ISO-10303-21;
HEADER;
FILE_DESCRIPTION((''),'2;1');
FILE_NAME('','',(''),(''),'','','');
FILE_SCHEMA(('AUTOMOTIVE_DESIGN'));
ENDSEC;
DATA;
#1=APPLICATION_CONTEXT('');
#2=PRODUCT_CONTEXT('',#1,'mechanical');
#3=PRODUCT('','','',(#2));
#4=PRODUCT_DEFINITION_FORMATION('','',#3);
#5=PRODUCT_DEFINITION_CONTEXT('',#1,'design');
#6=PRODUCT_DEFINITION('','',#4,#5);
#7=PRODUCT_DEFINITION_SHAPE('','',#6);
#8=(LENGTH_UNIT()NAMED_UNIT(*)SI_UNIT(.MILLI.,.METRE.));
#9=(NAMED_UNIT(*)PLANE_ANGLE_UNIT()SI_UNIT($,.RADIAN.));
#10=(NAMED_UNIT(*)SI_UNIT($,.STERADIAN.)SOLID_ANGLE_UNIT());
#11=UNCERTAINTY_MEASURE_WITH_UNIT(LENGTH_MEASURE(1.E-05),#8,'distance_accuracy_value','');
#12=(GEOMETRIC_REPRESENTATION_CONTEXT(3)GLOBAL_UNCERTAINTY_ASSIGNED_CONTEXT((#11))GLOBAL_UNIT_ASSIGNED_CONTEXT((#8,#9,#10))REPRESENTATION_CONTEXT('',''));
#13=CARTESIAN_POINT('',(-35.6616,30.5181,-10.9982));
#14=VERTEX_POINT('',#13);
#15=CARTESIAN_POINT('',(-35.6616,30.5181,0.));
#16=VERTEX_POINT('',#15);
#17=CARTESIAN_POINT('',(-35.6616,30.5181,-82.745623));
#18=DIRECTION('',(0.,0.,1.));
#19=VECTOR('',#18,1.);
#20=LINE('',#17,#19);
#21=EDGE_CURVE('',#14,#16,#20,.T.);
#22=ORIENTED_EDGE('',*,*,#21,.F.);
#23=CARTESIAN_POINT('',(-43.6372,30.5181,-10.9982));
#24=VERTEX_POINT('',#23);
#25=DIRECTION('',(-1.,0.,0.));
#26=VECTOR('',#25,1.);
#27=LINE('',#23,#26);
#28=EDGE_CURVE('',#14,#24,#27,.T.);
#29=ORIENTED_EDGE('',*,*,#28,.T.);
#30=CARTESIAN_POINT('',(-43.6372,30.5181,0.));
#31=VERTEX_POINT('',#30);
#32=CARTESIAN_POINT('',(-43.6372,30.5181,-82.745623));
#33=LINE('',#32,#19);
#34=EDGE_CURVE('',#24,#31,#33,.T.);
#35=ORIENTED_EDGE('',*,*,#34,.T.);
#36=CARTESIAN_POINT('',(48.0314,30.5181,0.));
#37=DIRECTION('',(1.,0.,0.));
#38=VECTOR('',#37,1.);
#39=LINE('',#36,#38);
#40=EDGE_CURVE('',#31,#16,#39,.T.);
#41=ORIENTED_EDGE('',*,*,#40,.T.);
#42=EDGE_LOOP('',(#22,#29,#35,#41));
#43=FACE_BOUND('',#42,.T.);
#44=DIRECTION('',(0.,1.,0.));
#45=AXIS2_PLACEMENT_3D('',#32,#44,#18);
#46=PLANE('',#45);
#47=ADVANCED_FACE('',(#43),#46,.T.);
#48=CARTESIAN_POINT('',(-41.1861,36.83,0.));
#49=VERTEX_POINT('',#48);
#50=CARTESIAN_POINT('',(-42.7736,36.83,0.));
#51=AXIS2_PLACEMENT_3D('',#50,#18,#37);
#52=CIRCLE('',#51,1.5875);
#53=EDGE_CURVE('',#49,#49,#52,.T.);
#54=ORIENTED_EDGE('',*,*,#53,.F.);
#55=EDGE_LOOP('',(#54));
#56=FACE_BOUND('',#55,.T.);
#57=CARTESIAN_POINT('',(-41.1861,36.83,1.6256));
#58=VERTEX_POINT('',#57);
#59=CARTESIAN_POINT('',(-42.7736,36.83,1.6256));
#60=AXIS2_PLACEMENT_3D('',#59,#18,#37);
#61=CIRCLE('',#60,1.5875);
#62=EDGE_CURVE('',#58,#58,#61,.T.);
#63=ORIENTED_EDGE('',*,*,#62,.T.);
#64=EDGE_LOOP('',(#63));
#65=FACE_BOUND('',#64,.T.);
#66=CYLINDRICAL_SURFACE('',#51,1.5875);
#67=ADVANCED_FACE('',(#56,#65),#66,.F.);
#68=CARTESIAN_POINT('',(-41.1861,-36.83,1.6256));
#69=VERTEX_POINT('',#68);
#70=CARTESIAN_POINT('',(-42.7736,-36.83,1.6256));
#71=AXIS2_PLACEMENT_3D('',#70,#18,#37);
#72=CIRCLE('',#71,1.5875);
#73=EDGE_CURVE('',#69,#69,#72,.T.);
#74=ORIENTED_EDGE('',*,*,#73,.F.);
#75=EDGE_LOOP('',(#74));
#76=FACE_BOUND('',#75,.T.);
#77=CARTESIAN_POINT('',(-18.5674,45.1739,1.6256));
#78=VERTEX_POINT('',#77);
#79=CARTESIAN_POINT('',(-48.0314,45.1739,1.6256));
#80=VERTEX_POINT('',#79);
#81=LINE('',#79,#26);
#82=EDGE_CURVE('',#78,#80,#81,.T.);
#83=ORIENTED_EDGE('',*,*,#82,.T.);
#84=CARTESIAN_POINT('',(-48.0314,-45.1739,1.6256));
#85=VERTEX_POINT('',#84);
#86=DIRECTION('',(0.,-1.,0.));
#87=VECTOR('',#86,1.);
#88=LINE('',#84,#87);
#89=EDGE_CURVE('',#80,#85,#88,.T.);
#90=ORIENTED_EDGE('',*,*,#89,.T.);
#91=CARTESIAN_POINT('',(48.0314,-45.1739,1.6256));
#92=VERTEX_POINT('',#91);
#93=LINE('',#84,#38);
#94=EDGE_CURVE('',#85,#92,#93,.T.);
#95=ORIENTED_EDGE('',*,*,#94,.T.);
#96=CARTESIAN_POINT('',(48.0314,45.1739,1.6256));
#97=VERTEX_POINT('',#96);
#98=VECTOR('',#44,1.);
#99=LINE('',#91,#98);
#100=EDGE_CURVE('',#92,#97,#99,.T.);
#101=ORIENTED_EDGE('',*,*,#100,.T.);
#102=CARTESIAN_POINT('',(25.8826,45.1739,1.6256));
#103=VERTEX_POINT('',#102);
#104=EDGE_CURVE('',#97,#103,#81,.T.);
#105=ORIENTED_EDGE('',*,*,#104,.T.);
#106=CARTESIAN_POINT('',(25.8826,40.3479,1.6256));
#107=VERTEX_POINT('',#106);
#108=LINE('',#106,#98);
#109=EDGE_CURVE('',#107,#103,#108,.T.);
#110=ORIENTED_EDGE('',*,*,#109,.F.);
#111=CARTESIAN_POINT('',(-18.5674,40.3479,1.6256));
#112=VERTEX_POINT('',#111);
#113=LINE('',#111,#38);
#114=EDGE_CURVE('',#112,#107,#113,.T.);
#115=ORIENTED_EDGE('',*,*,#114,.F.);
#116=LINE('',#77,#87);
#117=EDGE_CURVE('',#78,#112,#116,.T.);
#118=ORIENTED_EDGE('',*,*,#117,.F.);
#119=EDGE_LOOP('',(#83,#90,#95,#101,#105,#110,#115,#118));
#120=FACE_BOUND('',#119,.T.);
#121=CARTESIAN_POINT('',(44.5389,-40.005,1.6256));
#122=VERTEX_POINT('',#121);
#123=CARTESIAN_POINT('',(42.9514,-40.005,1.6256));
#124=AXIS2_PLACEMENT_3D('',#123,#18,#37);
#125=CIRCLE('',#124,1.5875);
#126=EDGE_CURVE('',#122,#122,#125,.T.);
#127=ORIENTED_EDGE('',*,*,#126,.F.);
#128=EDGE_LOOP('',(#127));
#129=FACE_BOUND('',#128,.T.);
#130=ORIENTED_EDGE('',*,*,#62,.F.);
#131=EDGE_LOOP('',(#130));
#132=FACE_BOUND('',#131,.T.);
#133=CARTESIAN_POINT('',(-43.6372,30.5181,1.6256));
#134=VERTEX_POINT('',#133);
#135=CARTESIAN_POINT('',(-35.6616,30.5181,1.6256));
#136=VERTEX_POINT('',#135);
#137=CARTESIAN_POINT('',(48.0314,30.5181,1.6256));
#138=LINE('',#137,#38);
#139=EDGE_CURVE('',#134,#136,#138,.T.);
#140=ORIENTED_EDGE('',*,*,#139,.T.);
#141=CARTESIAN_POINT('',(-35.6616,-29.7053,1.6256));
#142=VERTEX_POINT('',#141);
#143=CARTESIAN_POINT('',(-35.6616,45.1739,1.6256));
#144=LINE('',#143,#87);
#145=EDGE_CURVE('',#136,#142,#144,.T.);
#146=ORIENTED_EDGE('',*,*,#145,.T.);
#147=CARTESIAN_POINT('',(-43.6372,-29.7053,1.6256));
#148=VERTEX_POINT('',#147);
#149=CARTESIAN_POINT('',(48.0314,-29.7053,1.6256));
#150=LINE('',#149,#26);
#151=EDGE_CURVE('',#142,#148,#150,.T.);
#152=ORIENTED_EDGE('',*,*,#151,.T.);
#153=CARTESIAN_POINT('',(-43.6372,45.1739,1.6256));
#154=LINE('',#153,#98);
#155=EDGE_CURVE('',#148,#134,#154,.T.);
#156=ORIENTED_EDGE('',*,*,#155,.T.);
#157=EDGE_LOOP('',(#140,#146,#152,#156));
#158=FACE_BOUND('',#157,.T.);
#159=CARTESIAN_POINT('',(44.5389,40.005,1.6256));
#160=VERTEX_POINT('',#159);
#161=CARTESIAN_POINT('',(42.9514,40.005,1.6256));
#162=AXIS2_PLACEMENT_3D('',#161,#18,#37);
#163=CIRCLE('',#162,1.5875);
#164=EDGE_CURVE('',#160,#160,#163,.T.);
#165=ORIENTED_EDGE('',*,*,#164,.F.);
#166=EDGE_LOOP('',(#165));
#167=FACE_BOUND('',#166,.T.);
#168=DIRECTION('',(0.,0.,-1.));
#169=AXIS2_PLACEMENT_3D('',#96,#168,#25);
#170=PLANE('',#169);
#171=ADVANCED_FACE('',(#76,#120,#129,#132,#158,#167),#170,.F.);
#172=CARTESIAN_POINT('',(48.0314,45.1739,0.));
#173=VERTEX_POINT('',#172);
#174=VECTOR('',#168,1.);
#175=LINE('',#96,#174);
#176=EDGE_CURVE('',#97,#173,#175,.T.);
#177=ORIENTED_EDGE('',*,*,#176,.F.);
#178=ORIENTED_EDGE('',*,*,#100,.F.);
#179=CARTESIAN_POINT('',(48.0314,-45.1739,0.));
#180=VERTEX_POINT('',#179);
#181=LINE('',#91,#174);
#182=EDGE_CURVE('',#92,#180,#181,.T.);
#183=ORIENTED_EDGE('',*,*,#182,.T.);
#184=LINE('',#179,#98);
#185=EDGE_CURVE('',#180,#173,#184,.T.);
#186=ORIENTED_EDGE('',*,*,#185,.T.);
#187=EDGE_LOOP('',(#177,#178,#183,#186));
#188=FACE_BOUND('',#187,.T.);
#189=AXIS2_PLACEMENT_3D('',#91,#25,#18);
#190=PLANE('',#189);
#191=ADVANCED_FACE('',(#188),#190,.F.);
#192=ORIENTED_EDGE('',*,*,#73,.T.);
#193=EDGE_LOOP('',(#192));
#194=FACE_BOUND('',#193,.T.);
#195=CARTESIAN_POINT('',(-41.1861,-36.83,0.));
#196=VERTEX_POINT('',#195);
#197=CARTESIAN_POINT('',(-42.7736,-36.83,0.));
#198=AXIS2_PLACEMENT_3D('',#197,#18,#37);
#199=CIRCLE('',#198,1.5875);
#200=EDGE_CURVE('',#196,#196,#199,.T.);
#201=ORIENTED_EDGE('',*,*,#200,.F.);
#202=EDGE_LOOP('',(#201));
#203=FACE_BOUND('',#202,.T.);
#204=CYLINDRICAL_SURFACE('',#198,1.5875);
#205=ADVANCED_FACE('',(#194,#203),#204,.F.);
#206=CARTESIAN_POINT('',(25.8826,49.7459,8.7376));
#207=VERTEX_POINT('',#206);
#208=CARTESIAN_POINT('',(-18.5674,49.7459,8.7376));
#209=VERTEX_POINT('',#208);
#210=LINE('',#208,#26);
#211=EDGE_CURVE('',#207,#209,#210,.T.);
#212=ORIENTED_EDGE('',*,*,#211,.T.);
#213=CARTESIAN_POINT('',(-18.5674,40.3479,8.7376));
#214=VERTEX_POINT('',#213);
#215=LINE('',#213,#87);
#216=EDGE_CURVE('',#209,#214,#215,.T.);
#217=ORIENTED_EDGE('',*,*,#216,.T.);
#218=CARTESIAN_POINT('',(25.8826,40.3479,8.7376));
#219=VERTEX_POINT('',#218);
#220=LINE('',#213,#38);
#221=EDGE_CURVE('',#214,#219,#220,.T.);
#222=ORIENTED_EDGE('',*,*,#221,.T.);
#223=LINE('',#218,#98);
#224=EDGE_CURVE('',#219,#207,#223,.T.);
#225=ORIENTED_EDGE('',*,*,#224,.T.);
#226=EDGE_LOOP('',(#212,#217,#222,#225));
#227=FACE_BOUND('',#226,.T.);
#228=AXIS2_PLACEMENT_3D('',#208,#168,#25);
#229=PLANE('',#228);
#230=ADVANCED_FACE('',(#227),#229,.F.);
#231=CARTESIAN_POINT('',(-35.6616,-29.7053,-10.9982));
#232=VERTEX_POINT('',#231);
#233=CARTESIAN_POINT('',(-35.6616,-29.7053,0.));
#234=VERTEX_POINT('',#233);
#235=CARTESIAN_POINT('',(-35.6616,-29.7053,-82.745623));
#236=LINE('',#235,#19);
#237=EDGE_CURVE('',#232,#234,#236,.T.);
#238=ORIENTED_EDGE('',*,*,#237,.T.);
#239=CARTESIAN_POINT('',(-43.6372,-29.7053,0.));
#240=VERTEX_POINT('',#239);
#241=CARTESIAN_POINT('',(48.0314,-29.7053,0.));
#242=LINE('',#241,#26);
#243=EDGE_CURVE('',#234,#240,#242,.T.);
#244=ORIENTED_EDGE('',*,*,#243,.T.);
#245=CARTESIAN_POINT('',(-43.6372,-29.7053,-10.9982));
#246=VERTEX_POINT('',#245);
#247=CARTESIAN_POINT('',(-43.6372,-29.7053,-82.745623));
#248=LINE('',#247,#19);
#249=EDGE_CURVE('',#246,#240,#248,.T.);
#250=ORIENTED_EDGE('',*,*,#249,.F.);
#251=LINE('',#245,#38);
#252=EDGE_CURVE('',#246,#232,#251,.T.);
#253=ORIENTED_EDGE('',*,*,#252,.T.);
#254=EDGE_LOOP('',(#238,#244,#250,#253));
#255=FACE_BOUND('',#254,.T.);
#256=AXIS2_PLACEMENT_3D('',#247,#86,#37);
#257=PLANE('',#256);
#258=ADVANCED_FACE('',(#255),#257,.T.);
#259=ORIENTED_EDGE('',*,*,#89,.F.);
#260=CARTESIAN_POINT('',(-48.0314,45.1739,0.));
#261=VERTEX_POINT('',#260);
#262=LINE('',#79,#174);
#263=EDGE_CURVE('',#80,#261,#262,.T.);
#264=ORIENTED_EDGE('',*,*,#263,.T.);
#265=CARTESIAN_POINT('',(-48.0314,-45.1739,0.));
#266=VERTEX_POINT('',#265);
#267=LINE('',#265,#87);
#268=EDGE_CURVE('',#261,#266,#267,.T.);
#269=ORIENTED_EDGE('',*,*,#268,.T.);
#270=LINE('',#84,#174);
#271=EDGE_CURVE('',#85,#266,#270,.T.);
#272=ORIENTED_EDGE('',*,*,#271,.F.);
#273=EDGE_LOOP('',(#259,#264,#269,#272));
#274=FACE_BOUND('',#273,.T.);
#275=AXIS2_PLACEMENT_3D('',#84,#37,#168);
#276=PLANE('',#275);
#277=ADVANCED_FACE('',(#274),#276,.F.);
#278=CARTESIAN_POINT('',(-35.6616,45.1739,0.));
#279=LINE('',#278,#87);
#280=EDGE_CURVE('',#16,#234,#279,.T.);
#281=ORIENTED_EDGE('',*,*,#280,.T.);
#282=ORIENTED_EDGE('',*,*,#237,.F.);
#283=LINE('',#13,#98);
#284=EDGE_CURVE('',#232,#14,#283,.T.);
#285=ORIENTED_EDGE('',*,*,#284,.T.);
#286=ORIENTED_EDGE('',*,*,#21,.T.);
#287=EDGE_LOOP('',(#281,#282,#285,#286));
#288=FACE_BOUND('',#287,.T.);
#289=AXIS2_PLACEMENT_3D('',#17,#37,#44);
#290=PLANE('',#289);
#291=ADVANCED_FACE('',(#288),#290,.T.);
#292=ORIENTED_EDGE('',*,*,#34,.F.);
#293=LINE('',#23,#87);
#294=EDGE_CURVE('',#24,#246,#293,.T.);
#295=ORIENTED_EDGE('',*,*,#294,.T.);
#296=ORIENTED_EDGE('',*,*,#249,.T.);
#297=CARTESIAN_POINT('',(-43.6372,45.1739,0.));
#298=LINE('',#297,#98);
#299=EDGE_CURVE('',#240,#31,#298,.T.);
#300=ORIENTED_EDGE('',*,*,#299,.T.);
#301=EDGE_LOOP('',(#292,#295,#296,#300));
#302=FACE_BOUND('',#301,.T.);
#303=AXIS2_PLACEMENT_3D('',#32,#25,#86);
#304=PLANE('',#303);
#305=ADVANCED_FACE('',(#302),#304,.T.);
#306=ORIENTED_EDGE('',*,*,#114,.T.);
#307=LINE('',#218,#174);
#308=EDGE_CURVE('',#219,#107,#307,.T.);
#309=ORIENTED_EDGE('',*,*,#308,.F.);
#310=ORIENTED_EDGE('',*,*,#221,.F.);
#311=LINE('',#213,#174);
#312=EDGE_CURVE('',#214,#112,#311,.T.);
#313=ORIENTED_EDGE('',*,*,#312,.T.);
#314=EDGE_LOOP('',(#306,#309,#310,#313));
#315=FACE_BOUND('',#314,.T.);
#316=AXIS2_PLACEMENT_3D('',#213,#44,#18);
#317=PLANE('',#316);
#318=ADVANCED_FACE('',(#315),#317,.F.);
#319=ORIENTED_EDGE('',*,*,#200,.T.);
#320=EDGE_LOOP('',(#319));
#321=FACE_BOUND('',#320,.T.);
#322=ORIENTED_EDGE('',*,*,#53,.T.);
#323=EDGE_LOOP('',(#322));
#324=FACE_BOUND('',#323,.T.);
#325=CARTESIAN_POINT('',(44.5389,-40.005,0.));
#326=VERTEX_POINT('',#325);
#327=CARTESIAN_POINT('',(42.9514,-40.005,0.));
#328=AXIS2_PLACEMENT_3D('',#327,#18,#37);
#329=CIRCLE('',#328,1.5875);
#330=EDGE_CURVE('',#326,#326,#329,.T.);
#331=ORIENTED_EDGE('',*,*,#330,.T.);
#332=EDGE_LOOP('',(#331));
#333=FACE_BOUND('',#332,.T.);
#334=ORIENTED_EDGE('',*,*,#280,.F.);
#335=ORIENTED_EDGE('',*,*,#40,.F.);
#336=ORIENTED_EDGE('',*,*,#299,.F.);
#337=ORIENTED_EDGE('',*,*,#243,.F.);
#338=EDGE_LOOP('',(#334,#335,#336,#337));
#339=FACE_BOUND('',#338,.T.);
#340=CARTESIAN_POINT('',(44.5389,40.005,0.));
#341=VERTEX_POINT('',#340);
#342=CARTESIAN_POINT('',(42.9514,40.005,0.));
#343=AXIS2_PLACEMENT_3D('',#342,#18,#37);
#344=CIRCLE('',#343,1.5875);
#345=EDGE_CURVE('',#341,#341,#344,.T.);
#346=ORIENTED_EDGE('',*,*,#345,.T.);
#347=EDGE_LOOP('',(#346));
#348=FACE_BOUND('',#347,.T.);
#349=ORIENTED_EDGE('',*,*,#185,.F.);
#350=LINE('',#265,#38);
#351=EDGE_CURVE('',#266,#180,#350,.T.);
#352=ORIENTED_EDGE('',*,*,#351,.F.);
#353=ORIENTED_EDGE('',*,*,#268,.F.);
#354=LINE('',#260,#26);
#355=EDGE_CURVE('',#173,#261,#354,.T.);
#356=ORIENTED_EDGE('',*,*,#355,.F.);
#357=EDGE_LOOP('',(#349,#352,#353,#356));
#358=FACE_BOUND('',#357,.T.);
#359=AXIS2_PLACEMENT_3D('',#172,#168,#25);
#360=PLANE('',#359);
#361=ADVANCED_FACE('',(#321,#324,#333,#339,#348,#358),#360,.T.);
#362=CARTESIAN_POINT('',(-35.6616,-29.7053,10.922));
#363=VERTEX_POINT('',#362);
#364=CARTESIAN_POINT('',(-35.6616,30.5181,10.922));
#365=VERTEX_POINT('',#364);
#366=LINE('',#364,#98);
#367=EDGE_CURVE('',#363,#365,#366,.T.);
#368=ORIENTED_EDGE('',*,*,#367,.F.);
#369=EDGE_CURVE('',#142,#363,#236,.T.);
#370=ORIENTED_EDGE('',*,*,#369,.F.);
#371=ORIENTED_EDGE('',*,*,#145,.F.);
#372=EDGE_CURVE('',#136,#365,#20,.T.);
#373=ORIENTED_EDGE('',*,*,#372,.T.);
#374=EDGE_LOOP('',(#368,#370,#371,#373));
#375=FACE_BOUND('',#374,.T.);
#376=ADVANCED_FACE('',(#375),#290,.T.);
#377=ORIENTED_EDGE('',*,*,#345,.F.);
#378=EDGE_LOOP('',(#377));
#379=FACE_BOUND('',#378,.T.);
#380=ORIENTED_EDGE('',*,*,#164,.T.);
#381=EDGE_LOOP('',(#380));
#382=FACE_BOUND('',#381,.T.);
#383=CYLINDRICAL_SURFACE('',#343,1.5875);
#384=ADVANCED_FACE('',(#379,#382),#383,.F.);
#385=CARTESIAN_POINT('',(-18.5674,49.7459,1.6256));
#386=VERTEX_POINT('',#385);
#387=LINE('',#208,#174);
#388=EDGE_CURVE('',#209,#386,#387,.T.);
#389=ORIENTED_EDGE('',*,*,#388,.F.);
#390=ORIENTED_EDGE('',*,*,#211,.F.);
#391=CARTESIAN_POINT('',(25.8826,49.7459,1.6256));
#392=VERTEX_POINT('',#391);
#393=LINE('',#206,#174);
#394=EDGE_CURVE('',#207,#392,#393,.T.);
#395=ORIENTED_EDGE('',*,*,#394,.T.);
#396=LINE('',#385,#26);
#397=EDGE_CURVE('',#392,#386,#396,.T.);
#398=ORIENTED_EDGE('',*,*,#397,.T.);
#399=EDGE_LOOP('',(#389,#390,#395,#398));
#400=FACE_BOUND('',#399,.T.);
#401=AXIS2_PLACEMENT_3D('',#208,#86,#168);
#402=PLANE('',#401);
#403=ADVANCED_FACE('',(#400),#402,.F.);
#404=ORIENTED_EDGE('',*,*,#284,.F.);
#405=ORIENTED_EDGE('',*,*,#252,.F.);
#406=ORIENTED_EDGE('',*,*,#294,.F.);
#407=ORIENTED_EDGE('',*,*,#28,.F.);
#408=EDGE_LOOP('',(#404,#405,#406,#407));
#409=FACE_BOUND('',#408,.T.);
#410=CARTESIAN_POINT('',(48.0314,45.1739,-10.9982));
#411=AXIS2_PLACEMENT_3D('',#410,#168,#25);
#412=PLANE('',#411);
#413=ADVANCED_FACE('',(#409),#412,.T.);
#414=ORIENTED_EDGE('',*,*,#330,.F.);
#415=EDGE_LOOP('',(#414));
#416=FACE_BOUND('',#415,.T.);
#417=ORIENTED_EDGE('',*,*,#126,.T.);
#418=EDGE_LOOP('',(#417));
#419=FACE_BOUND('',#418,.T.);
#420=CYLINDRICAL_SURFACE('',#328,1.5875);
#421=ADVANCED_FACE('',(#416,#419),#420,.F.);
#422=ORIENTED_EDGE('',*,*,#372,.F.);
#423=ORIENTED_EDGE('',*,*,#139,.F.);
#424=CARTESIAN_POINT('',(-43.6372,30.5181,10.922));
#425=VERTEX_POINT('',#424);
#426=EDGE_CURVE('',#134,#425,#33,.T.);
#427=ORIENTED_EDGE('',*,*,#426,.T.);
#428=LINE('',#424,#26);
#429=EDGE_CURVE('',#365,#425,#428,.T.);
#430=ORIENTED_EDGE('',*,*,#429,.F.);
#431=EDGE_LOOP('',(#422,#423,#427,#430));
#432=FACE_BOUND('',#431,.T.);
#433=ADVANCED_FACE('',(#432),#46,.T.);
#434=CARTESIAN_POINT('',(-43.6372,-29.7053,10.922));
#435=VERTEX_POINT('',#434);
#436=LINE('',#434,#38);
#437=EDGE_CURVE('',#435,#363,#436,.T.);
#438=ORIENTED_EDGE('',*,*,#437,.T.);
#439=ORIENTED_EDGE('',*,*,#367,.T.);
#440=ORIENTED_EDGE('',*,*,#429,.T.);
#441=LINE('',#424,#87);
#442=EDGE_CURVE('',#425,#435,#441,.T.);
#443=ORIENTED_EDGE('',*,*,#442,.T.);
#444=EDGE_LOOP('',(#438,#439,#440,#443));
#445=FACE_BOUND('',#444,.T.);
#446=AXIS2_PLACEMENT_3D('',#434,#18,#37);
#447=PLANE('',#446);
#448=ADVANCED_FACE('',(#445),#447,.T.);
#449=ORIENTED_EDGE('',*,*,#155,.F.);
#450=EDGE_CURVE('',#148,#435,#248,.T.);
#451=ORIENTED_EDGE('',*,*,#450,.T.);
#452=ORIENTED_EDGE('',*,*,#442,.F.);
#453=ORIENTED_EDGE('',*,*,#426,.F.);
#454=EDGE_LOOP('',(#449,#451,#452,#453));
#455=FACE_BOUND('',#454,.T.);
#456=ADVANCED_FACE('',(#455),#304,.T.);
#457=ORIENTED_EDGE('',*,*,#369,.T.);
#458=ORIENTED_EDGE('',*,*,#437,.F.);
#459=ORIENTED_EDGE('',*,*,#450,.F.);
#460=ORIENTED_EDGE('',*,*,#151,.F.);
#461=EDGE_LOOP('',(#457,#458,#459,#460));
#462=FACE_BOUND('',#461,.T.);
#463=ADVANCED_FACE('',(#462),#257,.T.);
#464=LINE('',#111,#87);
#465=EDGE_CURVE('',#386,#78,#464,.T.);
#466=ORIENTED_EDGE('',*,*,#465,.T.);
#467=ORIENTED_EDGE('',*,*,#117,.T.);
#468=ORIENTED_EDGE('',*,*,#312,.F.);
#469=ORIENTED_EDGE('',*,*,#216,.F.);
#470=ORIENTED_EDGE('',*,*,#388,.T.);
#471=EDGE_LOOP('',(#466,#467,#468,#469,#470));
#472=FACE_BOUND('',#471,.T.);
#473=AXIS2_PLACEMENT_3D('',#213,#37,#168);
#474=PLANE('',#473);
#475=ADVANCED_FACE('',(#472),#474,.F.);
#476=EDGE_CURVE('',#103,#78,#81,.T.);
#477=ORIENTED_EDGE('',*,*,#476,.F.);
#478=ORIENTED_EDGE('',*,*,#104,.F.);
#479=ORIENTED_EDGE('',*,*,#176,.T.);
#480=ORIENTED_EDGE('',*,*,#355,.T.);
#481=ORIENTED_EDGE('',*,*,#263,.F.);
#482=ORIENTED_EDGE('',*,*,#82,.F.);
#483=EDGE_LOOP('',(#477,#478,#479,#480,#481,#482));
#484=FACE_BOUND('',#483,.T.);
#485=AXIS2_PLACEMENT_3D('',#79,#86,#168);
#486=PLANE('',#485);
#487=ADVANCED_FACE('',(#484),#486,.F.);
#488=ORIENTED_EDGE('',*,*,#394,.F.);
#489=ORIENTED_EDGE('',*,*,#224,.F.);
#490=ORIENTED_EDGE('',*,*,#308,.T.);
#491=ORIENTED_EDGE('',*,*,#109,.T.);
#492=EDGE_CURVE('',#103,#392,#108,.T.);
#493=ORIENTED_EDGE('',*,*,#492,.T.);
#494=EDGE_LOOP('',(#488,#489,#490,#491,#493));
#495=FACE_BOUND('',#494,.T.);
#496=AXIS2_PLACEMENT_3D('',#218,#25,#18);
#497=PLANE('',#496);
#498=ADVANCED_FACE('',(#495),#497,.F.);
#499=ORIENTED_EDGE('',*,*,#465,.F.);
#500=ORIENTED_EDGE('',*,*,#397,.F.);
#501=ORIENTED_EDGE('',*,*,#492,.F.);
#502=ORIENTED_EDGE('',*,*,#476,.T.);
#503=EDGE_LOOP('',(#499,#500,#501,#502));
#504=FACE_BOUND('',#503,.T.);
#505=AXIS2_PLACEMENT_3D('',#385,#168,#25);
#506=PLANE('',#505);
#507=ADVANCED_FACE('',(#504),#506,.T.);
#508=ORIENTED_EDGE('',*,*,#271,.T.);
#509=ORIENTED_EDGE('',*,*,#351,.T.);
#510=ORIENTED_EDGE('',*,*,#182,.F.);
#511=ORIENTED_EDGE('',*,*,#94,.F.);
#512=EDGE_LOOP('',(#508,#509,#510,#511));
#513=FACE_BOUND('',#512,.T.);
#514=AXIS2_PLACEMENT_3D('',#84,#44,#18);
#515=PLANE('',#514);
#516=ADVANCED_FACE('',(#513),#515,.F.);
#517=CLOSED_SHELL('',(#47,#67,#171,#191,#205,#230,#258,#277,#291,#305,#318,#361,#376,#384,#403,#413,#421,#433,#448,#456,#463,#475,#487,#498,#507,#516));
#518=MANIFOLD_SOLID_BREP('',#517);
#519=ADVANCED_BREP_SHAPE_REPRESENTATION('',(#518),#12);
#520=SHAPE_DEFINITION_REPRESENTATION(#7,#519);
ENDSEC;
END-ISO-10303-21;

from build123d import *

# Parameters (mm, degrees)
SKETCH1_W                    = 96.0628
SKETCH1_H                    = 90.3478
PCB_DEPTH                    = 1.6256
SKETCH5_R                    = 1.5875
PCB_HOLES_DEPTH              = 66.957101229
PCI_104_CONNECTOR_DEPTH      = 9.2964
PCI_104_CONNECTOR_DEPTH_BACK = 12.6238
SKETCH2_W                    = 7.9756
SKETCH2_H                    = 60.2234
SKETCH6_W                    = 44.45
SKETCH6_H                    = 9.398
PCB_EDGE_CONNS_DEPTH         = 7.112


with BuildPart() as part:
    # Sketch1 → PCB (new body)
    with BuildSketch(Plane.XY):
        Rectangle(SKETCH1_W, SKETCH1_H)
    extrude(amount=PCB_DEPTH)

    # Sketch5 → PCB_Holes (cut, through all)
    with BuildSketch(Plane.XY.offset(1.6256)):
        with Locations((-42.7736, 36.83)):
            Circle(SKETCH5_R)
        with Locations((42.9514, 40.005)):
            Circle(SKETCH5_R)
        with Locations((42.9514, -40.005)):
            Circle(SKETCH5_R)
        with Locations((-42.7736, -36.83)):
            Circle(SKETCH5_R)
    extrude(amount=-PCB_HOLES_DEPTH, mode=Mode.SUBTRACT)

    # Sketch2 → PCI-104_Connector (add, two sides: drawn at the far end of the back side and taken through both)
    with BuildSketch(Plane.XY.offset(1.6256).offset(-PCI_104_CONNECTOR_DEPTH_BACK)):
        with Locations((-39.6494, 0.4064)):
            Rectangle(SKETCH2_W, SKETCH2_H)
    extrude(amount=PCI_104_CONNECTOR_DEPTH + PCI_104_CONNECTOR_DEPTH_BACK)

    # Sketch6 → PCB_Edge_Conns (add)
    with BuildSketch(Plane.XY.offset(1.6256)):
        with Locations((3.6576, 45.0469)):
            Rectangle(SKETCH6_W, SKETCH6_H)
    extrude(amount=PCB_EDGE_CONNS_DEPTH)


solid = part.part
